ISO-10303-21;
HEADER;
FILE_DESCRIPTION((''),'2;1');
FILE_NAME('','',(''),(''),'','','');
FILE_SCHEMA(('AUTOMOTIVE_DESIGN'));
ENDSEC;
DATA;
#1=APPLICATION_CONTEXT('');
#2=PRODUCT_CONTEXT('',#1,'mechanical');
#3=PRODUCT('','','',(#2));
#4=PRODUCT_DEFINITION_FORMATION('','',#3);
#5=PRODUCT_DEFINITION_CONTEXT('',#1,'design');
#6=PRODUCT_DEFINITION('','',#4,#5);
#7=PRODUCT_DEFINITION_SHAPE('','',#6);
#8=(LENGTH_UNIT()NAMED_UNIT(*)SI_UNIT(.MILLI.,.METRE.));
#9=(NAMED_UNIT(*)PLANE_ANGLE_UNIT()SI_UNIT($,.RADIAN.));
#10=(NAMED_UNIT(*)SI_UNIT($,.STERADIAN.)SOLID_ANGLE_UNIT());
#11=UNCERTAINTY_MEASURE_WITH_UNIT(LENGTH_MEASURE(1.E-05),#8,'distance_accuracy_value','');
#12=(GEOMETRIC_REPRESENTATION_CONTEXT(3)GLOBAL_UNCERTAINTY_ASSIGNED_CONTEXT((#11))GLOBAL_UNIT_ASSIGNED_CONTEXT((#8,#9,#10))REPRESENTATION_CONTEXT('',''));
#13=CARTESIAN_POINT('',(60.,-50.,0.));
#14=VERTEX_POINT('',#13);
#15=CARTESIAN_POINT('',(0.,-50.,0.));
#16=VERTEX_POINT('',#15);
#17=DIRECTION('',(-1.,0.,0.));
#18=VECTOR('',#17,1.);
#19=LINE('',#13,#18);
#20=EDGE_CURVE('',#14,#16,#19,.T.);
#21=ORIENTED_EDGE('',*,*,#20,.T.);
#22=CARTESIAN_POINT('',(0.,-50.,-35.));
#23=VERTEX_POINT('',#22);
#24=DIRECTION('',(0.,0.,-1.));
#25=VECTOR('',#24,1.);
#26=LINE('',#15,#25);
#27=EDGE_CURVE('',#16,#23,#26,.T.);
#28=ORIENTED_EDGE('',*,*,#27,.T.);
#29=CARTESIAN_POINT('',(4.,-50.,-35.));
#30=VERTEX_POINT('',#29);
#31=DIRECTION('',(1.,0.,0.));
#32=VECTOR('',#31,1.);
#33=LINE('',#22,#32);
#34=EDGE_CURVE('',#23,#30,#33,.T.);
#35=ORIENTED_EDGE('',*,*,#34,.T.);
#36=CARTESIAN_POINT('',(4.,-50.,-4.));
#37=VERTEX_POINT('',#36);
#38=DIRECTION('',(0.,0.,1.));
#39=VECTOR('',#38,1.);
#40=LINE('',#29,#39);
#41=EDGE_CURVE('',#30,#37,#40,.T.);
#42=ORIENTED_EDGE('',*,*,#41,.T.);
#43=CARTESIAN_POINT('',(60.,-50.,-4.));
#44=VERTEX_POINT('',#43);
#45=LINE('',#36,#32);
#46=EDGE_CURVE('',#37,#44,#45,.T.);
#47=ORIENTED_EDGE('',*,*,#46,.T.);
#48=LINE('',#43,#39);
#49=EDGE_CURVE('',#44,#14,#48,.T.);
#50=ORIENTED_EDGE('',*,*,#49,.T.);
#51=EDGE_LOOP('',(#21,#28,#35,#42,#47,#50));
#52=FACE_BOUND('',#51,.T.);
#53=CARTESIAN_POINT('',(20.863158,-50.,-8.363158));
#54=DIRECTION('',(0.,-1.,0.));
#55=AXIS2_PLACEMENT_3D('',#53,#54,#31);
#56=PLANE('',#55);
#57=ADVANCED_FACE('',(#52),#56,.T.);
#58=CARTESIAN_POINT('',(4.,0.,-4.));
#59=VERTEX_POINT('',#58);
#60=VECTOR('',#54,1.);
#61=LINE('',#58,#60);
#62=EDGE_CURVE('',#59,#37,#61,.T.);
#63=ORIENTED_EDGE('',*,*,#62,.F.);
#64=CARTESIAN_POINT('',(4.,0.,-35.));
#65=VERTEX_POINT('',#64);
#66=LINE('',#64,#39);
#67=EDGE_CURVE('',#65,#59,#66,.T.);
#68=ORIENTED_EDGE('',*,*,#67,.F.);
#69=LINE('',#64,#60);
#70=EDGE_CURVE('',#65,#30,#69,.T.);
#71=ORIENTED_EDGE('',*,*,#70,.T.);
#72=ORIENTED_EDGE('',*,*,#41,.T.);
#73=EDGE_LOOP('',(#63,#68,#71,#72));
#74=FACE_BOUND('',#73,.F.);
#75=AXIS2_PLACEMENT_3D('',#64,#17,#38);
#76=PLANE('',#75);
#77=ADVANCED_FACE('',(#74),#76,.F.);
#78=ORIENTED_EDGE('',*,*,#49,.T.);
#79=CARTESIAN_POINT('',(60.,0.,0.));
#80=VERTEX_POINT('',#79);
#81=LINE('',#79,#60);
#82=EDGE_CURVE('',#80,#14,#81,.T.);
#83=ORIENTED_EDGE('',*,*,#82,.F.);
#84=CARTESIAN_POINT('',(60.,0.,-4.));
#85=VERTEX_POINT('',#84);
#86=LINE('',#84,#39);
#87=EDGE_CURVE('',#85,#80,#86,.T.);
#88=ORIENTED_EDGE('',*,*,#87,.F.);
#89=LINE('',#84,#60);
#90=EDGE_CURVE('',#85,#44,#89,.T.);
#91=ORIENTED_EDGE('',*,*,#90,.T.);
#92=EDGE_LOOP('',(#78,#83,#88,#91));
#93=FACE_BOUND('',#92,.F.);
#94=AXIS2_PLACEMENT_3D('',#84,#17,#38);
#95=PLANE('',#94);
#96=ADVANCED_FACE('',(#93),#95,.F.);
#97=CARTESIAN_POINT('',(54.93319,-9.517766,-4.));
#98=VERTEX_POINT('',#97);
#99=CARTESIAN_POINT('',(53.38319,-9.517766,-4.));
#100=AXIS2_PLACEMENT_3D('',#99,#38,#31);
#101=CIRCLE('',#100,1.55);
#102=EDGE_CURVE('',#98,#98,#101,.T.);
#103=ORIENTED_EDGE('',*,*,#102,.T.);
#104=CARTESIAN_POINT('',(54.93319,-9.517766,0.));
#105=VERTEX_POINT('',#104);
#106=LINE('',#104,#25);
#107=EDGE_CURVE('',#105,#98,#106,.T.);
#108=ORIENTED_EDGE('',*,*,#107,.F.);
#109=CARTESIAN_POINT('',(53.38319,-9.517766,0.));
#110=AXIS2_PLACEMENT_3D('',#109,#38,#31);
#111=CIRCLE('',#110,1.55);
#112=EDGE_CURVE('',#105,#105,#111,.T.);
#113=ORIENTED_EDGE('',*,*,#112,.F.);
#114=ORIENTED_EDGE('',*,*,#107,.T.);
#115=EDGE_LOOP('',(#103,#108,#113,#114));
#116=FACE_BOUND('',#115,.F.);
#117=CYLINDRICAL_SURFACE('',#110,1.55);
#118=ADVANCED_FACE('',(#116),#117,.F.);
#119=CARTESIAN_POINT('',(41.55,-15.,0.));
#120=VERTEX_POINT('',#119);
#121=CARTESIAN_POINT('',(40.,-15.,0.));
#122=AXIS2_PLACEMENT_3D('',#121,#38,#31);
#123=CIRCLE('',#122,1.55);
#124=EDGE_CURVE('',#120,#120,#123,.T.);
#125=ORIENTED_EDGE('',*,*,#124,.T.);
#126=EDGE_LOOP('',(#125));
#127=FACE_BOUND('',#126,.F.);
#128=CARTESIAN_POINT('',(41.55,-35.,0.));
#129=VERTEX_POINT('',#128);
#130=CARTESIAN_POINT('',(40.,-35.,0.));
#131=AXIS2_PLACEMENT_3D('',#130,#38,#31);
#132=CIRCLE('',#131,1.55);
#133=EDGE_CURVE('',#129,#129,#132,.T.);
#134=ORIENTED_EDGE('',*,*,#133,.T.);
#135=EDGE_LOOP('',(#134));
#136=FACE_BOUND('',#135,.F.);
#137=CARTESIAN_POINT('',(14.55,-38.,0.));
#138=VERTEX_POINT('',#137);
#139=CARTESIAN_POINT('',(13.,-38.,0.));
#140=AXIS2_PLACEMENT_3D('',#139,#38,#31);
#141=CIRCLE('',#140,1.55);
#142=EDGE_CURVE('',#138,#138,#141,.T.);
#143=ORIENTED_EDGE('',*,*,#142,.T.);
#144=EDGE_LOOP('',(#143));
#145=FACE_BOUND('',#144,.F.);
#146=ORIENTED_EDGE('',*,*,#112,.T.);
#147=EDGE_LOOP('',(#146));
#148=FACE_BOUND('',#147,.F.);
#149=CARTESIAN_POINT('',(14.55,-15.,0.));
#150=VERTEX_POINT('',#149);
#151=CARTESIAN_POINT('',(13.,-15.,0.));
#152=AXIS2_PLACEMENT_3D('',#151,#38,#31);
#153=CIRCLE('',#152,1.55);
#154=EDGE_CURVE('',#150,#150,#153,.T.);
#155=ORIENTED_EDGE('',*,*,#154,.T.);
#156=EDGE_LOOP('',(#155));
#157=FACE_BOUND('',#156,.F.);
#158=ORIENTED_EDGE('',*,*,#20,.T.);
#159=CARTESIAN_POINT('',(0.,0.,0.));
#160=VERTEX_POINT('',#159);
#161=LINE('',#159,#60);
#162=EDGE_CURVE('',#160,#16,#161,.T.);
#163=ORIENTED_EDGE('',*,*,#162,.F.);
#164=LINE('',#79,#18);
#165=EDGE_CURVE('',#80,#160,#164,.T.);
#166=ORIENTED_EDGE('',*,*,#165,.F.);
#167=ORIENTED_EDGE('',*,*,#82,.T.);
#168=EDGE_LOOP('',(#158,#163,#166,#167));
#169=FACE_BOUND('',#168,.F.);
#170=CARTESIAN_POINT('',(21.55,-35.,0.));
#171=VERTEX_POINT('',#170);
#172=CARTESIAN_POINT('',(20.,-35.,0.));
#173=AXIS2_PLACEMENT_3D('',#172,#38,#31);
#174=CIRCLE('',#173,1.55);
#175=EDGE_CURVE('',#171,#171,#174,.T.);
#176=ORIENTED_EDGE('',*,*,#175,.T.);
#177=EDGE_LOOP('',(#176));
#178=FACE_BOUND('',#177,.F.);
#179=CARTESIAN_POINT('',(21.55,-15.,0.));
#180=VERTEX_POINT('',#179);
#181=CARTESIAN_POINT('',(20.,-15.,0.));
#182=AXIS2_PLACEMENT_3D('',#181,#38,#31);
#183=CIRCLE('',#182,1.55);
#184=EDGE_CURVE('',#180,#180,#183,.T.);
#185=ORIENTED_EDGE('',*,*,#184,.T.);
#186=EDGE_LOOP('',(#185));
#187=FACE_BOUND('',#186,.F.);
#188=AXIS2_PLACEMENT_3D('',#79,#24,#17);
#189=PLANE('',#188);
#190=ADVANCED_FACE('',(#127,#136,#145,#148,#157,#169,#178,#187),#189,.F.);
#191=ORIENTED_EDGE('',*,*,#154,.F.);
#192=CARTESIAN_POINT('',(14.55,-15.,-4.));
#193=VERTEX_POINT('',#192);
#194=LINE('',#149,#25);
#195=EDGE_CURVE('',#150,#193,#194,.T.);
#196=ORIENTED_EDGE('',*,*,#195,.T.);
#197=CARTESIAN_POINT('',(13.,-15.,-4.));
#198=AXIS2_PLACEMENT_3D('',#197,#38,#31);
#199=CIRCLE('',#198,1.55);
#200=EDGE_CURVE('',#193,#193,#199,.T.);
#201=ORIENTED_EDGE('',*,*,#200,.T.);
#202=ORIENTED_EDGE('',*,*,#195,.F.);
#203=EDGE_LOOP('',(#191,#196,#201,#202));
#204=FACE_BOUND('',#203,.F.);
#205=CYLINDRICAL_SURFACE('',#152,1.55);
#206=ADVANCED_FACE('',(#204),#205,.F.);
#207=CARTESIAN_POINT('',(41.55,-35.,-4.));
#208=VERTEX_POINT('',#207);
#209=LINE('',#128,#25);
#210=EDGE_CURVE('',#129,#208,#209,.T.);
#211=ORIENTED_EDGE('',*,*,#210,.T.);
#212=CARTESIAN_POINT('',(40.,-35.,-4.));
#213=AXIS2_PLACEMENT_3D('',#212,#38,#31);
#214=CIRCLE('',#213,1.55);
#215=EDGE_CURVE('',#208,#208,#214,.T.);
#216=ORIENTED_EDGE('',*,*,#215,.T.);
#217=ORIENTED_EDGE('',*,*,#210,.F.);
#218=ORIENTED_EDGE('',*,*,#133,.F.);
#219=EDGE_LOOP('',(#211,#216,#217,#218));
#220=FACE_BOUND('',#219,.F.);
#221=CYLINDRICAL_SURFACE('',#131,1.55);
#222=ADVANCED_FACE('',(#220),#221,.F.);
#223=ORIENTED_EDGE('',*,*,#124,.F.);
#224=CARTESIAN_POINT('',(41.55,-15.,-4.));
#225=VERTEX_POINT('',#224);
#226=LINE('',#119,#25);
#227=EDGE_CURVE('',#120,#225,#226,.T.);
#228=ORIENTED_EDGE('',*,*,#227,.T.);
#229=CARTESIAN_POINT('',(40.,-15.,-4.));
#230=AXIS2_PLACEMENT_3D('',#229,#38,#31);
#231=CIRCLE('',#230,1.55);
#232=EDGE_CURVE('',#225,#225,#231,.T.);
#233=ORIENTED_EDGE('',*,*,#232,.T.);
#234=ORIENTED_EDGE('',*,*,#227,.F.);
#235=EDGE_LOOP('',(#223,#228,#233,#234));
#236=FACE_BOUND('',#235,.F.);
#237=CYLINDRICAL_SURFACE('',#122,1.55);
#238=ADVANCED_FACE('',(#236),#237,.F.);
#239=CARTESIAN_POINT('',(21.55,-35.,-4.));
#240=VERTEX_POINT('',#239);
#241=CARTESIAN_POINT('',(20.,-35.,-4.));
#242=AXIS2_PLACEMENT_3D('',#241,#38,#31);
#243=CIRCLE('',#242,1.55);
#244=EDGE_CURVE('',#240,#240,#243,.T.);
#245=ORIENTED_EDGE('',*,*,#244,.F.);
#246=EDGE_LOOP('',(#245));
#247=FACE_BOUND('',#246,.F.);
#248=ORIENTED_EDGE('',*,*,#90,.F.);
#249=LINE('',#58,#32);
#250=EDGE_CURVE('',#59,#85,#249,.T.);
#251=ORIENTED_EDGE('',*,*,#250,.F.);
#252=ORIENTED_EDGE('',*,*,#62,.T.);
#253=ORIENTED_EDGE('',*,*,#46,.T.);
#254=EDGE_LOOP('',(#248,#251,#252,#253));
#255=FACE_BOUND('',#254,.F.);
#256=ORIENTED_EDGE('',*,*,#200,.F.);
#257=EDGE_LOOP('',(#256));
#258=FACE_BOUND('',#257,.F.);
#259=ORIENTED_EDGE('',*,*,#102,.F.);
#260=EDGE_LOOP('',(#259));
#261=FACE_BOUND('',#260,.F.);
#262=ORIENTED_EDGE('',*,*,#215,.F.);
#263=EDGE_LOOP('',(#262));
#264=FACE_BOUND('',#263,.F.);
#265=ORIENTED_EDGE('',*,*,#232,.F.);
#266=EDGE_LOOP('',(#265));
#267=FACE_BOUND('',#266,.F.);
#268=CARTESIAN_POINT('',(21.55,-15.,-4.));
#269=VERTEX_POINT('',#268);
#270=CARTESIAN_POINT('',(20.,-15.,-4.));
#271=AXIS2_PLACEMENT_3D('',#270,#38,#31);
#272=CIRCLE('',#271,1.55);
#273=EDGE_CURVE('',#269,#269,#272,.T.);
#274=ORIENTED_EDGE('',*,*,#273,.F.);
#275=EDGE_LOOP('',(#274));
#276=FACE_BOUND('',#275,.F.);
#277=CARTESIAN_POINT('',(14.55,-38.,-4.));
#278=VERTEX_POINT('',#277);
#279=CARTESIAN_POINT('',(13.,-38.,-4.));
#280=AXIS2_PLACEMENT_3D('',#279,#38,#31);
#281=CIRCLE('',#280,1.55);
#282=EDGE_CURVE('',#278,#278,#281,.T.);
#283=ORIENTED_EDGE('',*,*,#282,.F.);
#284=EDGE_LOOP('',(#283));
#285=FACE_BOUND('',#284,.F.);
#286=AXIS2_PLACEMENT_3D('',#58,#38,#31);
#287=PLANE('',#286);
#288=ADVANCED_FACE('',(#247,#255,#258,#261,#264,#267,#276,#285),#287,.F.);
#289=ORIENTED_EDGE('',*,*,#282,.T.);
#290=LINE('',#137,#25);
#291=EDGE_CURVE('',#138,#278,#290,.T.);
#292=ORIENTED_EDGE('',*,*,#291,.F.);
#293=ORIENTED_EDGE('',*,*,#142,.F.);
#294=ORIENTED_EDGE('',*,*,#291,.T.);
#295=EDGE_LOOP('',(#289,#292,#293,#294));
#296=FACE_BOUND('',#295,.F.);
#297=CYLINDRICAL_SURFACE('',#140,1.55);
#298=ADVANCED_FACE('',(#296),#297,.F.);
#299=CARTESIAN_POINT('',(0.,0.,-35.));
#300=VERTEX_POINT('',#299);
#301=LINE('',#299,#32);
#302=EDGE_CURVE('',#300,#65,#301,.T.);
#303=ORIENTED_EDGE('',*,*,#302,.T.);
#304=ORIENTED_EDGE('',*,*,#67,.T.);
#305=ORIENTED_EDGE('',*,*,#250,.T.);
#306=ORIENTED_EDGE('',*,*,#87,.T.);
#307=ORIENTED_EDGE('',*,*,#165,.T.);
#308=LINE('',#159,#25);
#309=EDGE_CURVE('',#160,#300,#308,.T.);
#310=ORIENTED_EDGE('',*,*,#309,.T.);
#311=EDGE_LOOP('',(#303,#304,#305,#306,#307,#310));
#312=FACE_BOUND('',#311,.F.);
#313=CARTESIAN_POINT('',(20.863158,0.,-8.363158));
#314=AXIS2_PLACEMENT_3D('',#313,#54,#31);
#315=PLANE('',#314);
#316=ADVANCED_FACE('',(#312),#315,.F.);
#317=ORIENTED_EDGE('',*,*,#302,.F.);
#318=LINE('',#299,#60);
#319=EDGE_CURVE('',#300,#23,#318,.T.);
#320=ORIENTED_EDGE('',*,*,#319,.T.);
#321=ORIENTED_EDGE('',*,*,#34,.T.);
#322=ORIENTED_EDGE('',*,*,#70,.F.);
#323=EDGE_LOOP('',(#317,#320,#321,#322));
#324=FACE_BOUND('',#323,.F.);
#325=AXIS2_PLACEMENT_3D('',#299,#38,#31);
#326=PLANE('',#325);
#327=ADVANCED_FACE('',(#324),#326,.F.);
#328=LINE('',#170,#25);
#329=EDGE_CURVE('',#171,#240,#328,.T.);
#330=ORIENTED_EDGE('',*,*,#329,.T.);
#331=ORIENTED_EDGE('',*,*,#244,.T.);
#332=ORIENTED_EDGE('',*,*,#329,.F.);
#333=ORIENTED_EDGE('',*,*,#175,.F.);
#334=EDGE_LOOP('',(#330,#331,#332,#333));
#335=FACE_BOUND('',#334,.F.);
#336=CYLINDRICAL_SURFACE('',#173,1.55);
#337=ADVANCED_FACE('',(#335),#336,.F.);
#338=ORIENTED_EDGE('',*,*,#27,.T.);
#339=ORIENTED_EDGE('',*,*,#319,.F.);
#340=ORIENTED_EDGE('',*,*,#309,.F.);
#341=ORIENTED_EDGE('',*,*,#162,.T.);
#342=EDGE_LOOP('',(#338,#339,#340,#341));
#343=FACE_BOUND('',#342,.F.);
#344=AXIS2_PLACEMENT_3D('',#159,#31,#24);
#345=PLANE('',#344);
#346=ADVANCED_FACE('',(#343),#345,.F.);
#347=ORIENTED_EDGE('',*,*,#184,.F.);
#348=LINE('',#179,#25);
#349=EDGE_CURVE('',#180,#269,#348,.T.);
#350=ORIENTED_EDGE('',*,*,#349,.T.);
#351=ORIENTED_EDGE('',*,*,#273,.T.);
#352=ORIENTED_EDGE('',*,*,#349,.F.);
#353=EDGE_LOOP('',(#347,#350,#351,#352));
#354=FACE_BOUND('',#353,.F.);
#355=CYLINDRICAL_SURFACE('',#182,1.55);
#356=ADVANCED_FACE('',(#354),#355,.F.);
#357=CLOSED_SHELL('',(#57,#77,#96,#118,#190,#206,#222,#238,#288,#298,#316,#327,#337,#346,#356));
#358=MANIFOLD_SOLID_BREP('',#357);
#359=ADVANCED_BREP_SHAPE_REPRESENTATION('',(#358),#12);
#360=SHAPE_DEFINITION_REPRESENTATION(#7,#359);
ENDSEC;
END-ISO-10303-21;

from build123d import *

# Parameters (mm, degrees)
F1_DEPTH = 50
F2_R     = 1.55
F3_DEPTH = 4


with BuildPart() as f1:
    # F0 (on Front) → F1 (new body)
    with BuildSketch(Plane.XZ):
        Polygon((60, 0), (0, 0), (0, -35), (4, -35), (4, -4), (60, -4), align=None)
    extrude(amount=F1_DEPTH)

    # F2 (on face) → F3 (cut, through all)
    with BuildSketch(Plane.XY):
        with Locations((40, -15)):
            Circle(F2_R)
        with Locations((20, -15)):
            Circle(F2_R)
        with Locations((20, -35)):
            Circle(F2_R)
        with Locations((40, -35)):
            Circle(F2_R)
        with Locations((13, -38)):
            Circle(F2_R)
        with Locations((13, -15)):
            Circle(F2_R)
        with Locations((53.38319, -9.517766)):
            Circle(F2_R)
    extrude(amount=-F3_DEPTH, mode=Mode.SUBTRACT)


solid = f1.part
